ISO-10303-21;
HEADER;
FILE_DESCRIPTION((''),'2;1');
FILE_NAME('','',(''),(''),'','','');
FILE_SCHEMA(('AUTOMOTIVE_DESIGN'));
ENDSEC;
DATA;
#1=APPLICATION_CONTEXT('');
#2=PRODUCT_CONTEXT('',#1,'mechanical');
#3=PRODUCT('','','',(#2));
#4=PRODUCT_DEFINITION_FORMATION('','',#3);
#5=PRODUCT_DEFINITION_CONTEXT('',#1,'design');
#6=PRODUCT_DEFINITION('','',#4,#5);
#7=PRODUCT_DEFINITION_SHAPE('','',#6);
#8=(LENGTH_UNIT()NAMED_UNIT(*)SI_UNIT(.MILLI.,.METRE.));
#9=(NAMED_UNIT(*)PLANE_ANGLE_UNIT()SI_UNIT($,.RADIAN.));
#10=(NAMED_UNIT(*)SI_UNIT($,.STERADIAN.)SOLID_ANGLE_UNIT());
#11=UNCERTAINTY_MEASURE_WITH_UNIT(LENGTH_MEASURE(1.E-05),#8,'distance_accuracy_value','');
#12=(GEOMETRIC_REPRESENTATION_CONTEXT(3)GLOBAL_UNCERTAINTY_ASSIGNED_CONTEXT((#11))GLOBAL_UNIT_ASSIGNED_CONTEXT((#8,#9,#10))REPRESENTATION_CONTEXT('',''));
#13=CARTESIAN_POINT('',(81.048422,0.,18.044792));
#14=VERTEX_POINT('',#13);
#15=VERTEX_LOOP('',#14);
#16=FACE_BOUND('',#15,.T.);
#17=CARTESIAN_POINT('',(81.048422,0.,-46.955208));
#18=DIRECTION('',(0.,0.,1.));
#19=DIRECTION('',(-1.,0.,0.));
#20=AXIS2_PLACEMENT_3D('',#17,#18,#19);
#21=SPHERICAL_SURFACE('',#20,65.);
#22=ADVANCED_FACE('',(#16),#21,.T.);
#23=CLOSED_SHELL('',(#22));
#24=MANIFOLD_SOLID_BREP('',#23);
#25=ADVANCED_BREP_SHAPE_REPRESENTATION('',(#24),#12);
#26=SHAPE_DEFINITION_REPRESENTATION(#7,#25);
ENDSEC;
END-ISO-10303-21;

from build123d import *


with BuildPart() as part:
    # Sketch1 one side → Revolve1 (revolve)
    with BuildSketch(Plane(origin=(0, 0, 0), x_dir=(1, 0, 0), z_dir=(0, 1, 0))):
        with BuildLine():
            Line((81.04842189, -18.044791789), (81.04842189, 111.955208211))
            ThreePointArc((81.04842189, 111.955208211), (16.04842189, 46.955208211), (81.04842189, -18.044791789))
        make_face()
    revolve(axis=Axis((81.04842189, 0, 18.044791789), (0, 0, -1)))


solid = part.part
